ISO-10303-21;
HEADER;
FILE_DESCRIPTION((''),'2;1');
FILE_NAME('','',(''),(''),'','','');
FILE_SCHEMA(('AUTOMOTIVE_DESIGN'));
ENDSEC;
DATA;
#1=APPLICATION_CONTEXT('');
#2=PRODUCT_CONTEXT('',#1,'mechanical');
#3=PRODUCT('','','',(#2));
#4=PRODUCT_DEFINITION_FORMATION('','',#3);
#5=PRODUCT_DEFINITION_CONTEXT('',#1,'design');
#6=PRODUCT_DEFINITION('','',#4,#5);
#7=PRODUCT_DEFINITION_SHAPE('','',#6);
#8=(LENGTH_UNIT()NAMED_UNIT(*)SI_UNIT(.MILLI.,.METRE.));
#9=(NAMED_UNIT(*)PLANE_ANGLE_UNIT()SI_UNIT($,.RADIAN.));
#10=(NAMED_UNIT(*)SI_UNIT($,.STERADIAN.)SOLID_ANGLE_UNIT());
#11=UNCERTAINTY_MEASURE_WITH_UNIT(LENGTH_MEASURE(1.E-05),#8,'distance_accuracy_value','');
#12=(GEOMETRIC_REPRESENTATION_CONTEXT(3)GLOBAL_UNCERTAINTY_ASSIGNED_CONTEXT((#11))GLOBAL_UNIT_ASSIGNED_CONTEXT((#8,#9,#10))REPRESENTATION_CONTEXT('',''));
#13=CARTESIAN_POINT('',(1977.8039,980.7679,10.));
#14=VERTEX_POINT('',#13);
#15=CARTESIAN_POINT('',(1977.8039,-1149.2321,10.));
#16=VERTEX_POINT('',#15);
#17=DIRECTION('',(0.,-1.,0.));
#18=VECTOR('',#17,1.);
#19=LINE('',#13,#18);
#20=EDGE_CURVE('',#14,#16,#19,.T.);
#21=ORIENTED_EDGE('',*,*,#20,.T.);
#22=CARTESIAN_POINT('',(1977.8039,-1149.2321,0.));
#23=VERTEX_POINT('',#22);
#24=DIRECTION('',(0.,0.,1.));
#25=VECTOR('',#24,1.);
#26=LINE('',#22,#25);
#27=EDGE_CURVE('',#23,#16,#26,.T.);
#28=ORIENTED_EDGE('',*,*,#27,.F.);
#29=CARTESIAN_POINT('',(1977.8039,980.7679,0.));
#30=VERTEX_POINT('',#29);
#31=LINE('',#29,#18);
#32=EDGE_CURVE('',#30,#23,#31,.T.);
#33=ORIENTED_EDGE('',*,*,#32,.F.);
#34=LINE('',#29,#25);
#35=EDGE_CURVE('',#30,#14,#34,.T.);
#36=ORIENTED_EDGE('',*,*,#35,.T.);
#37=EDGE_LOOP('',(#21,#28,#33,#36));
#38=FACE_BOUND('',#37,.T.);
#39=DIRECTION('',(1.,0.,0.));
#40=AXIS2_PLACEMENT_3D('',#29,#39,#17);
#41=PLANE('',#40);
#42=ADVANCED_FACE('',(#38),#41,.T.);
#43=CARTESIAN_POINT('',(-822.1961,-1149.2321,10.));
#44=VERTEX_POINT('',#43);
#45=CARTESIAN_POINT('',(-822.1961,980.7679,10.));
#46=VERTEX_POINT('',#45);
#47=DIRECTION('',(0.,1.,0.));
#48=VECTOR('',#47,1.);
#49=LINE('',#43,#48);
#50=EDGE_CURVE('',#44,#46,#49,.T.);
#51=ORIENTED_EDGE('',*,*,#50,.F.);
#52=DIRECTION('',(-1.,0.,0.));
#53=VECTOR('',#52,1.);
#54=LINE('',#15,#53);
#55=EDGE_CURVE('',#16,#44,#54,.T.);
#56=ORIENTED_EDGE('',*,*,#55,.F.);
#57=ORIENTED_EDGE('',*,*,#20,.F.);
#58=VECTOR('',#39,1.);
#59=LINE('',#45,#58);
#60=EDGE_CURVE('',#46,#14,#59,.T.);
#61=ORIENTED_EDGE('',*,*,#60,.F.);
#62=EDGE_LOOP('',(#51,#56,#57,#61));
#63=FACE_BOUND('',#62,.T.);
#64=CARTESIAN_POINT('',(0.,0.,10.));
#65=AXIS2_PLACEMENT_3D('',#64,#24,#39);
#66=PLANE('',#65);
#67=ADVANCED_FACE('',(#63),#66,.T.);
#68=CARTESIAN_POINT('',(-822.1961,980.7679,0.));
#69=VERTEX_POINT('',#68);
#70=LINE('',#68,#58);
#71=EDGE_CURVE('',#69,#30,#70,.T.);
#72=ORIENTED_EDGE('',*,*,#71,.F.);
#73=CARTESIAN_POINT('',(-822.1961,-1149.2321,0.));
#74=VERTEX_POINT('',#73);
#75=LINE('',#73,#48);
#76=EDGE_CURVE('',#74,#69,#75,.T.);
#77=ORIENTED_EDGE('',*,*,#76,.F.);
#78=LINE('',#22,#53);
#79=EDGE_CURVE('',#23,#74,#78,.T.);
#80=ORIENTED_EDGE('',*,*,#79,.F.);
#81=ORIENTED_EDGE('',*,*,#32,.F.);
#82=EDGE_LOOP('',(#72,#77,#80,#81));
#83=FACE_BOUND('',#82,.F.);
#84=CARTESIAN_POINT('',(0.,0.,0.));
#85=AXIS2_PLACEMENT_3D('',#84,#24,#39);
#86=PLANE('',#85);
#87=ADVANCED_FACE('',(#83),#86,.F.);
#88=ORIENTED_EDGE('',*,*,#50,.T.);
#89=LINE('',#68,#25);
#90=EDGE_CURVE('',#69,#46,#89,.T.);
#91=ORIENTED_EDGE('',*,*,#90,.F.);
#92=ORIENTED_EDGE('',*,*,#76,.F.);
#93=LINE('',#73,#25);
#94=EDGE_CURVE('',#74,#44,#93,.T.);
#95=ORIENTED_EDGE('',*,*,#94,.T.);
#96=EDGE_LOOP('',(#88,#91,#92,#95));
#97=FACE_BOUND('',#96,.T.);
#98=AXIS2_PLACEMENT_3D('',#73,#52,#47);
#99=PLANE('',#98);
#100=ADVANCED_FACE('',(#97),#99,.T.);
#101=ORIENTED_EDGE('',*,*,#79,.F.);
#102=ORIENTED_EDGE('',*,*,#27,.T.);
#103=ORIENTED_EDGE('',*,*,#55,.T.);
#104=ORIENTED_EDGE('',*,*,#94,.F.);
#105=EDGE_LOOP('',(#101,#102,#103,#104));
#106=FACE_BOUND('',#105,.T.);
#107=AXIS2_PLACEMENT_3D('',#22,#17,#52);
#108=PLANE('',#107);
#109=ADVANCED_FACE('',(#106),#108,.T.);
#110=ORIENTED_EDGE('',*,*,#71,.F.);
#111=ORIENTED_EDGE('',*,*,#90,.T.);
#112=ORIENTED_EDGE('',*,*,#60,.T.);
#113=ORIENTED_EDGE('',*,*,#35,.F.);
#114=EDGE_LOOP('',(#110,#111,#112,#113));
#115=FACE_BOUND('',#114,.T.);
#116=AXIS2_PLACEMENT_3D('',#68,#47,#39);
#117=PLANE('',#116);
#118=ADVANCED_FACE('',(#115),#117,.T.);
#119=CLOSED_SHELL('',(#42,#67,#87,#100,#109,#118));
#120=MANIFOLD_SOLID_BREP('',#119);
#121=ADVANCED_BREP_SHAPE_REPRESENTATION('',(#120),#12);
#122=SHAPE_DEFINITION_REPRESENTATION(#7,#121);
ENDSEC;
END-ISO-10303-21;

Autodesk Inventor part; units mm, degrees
ref_plane "YZ Plane" through (0, 0, 0) normal (1, 0, 0) x (0, 1, 0)
ref_plane "XZ Plane" through (0, 0, 0) normal (0, 1, 0) x (-1, 0, 0)
ref_plane "XY Plane" through (0, 0, 0) normal (0, 0, 1) x (1, 0, 0)
sketch "Sketch1" plane through (0, 0, 0) normal (0, 0, 1) x (1, 0, 0)
  line L0 (-822.1961, 980.7679) -> (1977.8039, 980.7679)
  line L1 (1977.8039, 980.7679) -> (1977.8039, -1149.2321)
  line L2 (1977.8039, -1149.2321) -> (-822.1961, -1149.2321)
  line L3 (-822.1961, -1149.2321) -> (-822.1961, 980.7679)
  point P0 (0, 0)
  dimension "d0" = 2800
  dimension "d1" = 2130
extrude "Extrusion1" add sketch "Sketch1" along normal blind 10
properties part number "Wall_back"
